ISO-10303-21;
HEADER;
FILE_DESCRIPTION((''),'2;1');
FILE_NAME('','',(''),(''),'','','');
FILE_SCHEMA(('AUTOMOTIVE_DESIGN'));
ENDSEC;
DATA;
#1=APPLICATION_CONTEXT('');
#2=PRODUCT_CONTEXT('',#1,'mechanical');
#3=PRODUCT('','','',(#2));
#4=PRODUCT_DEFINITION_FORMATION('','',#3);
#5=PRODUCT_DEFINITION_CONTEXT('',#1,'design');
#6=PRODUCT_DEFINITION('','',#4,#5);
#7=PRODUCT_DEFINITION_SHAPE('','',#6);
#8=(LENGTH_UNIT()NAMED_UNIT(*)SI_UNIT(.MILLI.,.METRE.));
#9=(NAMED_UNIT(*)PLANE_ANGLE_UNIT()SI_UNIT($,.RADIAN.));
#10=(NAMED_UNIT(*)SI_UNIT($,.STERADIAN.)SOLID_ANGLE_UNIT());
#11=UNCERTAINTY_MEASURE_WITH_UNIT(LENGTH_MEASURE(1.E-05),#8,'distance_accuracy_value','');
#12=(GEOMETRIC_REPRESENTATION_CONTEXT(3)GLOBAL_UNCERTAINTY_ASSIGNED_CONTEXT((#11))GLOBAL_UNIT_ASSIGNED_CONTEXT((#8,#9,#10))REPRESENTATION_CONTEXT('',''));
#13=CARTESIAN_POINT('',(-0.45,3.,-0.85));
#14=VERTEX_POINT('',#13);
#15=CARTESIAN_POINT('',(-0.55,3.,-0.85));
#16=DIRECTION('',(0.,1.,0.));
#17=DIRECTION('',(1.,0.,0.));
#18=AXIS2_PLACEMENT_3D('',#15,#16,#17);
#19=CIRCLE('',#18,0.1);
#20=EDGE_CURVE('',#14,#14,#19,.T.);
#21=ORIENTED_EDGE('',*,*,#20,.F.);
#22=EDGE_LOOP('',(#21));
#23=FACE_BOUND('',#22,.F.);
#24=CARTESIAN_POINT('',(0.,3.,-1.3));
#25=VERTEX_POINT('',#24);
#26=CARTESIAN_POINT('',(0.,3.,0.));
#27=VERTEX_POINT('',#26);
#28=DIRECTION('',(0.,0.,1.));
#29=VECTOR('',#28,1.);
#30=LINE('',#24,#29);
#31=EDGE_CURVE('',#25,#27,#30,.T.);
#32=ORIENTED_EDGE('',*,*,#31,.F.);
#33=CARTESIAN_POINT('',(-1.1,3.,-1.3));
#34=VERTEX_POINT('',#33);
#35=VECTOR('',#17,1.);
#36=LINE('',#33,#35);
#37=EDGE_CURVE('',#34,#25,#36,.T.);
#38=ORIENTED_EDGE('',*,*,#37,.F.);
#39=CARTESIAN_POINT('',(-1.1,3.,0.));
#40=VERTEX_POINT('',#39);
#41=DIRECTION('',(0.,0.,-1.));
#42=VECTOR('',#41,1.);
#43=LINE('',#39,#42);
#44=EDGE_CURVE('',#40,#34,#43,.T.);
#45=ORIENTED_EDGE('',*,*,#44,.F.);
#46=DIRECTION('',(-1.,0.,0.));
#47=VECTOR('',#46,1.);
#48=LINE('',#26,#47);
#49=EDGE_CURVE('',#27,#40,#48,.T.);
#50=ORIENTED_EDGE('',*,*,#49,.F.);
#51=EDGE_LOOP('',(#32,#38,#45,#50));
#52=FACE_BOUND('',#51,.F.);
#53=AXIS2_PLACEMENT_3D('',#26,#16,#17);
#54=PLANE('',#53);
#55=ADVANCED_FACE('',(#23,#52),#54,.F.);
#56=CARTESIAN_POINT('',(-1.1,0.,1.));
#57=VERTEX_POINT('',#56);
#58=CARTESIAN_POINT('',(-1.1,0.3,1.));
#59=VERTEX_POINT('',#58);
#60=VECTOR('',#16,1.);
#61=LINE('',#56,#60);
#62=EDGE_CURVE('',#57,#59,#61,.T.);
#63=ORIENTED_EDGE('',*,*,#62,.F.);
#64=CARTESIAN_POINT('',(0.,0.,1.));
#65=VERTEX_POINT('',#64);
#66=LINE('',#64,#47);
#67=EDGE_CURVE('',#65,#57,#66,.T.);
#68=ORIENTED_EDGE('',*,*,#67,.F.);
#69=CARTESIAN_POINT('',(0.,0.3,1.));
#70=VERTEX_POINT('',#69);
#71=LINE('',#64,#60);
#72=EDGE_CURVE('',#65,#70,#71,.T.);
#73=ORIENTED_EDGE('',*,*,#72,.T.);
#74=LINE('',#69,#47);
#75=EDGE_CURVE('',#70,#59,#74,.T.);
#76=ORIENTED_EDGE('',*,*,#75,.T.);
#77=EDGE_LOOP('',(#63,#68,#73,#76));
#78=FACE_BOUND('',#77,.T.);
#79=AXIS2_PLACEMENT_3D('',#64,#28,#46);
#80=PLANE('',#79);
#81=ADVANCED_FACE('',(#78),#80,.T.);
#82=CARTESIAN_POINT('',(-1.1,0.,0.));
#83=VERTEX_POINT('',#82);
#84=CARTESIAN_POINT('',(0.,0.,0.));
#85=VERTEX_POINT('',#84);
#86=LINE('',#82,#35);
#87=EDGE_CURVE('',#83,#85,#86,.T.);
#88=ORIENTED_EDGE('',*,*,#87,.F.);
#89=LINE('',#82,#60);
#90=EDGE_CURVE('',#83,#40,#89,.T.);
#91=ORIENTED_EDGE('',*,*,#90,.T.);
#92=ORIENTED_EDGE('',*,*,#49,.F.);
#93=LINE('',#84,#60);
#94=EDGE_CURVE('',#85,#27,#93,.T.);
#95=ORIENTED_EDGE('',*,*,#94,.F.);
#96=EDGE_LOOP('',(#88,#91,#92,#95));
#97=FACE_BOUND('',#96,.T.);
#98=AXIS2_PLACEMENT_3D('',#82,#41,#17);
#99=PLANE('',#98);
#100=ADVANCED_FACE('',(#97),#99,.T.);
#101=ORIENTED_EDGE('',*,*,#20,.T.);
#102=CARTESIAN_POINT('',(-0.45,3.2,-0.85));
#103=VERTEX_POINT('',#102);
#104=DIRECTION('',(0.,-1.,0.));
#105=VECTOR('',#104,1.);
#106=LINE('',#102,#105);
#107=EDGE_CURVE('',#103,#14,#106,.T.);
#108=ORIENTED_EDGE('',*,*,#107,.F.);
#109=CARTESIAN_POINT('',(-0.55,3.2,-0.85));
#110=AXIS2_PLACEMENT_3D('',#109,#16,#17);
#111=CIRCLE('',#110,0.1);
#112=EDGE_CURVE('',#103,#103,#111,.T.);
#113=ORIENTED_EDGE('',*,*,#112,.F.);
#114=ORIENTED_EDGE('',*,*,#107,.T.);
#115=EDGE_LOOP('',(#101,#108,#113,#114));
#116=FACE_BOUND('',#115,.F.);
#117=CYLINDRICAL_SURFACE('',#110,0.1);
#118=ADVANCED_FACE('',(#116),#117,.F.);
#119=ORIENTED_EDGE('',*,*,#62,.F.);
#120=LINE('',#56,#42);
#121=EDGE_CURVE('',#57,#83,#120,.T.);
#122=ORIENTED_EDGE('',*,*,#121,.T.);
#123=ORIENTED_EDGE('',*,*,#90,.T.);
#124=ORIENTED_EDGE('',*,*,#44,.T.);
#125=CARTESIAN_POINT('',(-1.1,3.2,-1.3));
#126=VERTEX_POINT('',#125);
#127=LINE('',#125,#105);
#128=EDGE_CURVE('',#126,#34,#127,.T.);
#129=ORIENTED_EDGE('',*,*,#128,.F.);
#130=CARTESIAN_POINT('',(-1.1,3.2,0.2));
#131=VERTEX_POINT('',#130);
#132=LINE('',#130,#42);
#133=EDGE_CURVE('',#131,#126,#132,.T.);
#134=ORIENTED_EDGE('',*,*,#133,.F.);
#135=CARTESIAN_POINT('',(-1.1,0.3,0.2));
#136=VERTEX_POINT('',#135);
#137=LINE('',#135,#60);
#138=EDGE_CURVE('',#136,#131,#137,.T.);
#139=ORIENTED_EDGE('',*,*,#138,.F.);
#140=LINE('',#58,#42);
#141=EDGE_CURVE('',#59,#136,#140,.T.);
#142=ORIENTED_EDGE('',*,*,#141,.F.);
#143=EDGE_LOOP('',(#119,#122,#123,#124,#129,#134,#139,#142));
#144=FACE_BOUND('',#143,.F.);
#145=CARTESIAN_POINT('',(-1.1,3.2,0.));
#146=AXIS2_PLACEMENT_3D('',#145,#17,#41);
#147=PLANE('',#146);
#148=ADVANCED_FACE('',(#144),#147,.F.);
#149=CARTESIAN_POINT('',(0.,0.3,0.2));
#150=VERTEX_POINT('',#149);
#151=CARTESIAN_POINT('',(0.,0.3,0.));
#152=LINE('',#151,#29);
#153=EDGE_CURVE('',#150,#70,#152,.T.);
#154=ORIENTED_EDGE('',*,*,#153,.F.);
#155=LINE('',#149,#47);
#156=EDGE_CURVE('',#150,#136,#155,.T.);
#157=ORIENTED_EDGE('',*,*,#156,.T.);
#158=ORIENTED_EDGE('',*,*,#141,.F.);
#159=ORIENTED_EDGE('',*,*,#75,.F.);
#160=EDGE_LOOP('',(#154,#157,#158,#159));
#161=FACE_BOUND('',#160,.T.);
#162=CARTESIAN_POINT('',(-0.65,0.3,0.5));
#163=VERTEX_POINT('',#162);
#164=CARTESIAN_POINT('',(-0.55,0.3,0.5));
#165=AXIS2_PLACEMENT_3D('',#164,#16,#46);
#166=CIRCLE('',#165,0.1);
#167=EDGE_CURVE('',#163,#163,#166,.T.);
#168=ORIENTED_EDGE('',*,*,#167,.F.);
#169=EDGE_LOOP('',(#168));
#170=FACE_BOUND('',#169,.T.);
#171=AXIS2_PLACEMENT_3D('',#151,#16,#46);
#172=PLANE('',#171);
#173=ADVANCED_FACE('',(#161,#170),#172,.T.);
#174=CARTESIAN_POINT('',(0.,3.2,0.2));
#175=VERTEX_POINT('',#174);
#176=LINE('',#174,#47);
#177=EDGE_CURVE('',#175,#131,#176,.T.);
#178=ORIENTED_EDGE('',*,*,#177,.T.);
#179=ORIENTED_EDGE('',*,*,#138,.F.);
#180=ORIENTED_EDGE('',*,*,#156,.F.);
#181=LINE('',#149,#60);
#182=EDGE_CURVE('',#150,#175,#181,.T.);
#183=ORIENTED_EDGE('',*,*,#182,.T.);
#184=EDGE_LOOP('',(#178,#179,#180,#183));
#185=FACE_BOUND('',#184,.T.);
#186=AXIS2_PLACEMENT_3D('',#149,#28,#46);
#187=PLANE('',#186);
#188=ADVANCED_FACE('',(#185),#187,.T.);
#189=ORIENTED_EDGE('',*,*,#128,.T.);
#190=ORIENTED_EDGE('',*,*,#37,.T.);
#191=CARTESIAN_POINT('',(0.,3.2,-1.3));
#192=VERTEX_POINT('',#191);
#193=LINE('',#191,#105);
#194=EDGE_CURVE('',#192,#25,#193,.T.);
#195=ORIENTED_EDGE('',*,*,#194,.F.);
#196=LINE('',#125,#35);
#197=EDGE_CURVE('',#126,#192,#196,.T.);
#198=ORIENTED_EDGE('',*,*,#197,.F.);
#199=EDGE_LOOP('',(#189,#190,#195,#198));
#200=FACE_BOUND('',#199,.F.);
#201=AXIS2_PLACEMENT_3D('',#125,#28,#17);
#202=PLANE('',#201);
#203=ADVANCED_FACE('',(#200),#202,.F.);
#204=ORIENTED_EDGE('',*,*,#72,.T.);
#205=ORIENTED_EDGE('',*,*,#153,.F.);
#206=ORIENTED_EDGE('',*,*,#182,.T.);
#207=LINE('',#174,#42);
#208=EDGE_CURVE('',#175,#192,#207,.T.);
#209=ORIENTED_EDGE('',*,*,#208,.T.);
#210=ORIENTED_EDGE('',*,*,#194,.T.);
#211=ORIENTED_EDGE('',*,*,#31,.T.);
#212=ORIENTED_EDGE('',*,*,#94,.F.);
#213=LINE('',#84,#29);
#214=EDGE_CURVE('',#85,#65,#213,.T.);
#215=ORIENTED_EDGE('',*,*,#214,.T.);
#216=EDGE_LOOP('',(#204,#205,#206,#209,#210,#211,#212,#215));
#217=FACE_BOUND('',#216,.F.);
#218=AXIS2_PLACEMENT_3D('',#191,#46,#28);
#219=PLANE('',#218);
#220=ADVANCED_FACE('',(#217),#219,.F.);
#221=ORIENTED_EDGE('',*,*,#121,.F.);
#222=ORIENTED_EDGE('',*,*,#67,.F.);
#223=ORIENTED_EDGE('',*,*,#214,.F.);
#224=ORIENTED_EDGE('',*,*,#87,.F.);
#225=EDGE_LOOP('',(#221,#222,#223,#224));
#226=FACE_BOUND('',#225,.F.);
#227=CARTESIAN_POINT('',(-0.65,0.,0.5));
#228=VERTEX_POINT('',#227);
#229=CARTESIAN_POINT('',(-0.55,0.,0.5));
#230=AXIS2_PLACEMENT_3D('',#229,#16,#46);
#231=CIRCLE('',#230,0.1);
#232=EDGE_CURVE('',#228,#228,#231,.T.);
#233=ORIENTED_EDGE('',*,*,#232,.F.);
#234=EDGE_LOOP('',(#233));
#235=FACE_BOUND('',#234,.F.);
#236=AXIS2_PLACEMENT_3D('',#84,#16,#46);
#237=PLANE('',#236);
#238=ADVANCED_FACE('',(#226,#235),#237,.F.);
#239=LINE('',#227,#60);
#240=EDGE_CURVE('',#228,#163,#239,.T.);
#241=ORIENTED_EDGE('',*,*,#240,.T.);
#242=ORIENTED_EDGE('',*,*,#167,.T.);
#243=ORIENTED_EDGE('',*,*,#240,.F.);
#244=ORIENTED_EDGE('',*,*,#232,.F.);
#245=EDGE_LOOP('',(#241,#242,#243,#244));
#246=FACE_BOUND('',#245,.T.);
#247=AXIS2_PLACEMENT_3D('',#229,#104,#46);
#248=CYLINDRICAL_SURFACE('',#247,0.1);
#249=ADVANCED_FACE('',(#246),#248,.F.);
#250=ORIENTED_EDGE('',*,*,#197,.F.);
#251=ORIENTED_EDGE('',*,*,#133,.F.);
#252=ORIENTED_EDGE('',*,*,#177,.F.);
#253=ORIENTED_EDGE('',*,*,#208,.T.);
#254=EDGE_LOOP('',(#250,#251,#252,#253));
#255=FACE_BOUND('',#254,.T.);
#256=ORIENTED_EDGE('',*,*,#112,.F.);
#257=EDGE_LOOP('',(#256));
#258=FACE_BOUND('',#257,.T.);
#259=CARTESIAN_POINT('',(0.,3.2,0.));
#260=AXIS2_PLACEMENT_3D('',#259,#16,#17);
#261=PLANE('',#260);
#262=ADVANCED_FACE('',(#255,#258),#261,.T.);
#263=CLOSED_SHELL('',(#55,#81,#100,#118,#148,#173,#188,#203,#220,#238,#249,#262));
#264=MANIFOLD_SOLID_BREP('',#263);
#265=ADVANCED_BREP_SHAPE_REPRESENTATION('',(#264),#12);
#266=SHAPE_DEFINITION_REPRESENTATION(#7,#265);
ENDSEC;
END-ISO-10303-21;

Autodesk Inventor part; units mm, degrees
ref_plane "YZ Plane" through (0, 0, 0) normal (1, 0, 0) x (0, 1, 0)
ref_plane "XZ Plane" through (0, 0, 0) normal (0, 1, 0) x (-1, 0, 0)
ref_plane "XY Plane" through (0, 0, 0) normal (0, 0, 1) x (1, 0, 0)
sketch "Boceto1" plane through (0, 0, 0) normal (0, 1, 0) x (-1, 0, 0)
  line L0 (0, 0) -> (0, 1)
  line L1 (0, 1) -> (1.1, 1)
  line L2 (1.1, 1) -> (1.1, 0)
  line L3 (1.1, 0) -> (0, 0)
  circle A0 centre (0.55, 0.5) radius 0.1
  dimension "d0" = 1
  dimension "d1" = 1.1
  dimension "d2" = 0.2
extrude "Extrusión1" add sketch "Boceto1" along normal blind 0.3
sketch "Boceto2" plane through (0, 0.3, 0) normal (0, 1, 0) x (1, 0, 0)
  line L0 (0, -1) -> (0, 0) projected
  line L1 (0, 0) -> (0, -0.2)
  line L2 (0, -0.2) -> (-1.1, -0.2)
  line L3 (-1.1, 0) -> (-1.1, -1) projected
  line L4 (-1.1, -0.2) -> (0, -0.2)
  line L5 (0, -0.2) -> (0, 0)
  line L6 (0, 0) -> (-1.1, 0)
  line L7 (-1.1, 0) -> (-1.1, -0.2)
  dimension "d5" = 0.2
extrude "Extrusión2" add sketch "Boceto2" along normal blind 2.9
sketch "Boceto4" plane through (0, 3.2, 0) normal (0, 1, 0) x (1, 0, 0)
  circle A0 centre (-0.55, -0.5) radius 0.1 projected
  line L0 (0, 0) -> (-1.1, 0) projected
  line L1 (-1.1, 0) -> (-1.1, 1.3)
  line L2 (-1.1, 1.3) -> (0, 1.3)
  line L3 (0, 0) -> (0, -1) projected
  line L4 (0, 1.3) -> (0, 0)
  line L5 (0, 0) -> (-1.1, 0)
  circle A1 centre (-0.55, 0.85) radius 0.1
  dimension "d12" = 1.3
  dimension "d18" = 0.2
extrude "Extrusión4" add sketch "Boceto4" against normal blind 0.2 contours L0 L1 L2 L4
properties part number "soporteOdroid"
